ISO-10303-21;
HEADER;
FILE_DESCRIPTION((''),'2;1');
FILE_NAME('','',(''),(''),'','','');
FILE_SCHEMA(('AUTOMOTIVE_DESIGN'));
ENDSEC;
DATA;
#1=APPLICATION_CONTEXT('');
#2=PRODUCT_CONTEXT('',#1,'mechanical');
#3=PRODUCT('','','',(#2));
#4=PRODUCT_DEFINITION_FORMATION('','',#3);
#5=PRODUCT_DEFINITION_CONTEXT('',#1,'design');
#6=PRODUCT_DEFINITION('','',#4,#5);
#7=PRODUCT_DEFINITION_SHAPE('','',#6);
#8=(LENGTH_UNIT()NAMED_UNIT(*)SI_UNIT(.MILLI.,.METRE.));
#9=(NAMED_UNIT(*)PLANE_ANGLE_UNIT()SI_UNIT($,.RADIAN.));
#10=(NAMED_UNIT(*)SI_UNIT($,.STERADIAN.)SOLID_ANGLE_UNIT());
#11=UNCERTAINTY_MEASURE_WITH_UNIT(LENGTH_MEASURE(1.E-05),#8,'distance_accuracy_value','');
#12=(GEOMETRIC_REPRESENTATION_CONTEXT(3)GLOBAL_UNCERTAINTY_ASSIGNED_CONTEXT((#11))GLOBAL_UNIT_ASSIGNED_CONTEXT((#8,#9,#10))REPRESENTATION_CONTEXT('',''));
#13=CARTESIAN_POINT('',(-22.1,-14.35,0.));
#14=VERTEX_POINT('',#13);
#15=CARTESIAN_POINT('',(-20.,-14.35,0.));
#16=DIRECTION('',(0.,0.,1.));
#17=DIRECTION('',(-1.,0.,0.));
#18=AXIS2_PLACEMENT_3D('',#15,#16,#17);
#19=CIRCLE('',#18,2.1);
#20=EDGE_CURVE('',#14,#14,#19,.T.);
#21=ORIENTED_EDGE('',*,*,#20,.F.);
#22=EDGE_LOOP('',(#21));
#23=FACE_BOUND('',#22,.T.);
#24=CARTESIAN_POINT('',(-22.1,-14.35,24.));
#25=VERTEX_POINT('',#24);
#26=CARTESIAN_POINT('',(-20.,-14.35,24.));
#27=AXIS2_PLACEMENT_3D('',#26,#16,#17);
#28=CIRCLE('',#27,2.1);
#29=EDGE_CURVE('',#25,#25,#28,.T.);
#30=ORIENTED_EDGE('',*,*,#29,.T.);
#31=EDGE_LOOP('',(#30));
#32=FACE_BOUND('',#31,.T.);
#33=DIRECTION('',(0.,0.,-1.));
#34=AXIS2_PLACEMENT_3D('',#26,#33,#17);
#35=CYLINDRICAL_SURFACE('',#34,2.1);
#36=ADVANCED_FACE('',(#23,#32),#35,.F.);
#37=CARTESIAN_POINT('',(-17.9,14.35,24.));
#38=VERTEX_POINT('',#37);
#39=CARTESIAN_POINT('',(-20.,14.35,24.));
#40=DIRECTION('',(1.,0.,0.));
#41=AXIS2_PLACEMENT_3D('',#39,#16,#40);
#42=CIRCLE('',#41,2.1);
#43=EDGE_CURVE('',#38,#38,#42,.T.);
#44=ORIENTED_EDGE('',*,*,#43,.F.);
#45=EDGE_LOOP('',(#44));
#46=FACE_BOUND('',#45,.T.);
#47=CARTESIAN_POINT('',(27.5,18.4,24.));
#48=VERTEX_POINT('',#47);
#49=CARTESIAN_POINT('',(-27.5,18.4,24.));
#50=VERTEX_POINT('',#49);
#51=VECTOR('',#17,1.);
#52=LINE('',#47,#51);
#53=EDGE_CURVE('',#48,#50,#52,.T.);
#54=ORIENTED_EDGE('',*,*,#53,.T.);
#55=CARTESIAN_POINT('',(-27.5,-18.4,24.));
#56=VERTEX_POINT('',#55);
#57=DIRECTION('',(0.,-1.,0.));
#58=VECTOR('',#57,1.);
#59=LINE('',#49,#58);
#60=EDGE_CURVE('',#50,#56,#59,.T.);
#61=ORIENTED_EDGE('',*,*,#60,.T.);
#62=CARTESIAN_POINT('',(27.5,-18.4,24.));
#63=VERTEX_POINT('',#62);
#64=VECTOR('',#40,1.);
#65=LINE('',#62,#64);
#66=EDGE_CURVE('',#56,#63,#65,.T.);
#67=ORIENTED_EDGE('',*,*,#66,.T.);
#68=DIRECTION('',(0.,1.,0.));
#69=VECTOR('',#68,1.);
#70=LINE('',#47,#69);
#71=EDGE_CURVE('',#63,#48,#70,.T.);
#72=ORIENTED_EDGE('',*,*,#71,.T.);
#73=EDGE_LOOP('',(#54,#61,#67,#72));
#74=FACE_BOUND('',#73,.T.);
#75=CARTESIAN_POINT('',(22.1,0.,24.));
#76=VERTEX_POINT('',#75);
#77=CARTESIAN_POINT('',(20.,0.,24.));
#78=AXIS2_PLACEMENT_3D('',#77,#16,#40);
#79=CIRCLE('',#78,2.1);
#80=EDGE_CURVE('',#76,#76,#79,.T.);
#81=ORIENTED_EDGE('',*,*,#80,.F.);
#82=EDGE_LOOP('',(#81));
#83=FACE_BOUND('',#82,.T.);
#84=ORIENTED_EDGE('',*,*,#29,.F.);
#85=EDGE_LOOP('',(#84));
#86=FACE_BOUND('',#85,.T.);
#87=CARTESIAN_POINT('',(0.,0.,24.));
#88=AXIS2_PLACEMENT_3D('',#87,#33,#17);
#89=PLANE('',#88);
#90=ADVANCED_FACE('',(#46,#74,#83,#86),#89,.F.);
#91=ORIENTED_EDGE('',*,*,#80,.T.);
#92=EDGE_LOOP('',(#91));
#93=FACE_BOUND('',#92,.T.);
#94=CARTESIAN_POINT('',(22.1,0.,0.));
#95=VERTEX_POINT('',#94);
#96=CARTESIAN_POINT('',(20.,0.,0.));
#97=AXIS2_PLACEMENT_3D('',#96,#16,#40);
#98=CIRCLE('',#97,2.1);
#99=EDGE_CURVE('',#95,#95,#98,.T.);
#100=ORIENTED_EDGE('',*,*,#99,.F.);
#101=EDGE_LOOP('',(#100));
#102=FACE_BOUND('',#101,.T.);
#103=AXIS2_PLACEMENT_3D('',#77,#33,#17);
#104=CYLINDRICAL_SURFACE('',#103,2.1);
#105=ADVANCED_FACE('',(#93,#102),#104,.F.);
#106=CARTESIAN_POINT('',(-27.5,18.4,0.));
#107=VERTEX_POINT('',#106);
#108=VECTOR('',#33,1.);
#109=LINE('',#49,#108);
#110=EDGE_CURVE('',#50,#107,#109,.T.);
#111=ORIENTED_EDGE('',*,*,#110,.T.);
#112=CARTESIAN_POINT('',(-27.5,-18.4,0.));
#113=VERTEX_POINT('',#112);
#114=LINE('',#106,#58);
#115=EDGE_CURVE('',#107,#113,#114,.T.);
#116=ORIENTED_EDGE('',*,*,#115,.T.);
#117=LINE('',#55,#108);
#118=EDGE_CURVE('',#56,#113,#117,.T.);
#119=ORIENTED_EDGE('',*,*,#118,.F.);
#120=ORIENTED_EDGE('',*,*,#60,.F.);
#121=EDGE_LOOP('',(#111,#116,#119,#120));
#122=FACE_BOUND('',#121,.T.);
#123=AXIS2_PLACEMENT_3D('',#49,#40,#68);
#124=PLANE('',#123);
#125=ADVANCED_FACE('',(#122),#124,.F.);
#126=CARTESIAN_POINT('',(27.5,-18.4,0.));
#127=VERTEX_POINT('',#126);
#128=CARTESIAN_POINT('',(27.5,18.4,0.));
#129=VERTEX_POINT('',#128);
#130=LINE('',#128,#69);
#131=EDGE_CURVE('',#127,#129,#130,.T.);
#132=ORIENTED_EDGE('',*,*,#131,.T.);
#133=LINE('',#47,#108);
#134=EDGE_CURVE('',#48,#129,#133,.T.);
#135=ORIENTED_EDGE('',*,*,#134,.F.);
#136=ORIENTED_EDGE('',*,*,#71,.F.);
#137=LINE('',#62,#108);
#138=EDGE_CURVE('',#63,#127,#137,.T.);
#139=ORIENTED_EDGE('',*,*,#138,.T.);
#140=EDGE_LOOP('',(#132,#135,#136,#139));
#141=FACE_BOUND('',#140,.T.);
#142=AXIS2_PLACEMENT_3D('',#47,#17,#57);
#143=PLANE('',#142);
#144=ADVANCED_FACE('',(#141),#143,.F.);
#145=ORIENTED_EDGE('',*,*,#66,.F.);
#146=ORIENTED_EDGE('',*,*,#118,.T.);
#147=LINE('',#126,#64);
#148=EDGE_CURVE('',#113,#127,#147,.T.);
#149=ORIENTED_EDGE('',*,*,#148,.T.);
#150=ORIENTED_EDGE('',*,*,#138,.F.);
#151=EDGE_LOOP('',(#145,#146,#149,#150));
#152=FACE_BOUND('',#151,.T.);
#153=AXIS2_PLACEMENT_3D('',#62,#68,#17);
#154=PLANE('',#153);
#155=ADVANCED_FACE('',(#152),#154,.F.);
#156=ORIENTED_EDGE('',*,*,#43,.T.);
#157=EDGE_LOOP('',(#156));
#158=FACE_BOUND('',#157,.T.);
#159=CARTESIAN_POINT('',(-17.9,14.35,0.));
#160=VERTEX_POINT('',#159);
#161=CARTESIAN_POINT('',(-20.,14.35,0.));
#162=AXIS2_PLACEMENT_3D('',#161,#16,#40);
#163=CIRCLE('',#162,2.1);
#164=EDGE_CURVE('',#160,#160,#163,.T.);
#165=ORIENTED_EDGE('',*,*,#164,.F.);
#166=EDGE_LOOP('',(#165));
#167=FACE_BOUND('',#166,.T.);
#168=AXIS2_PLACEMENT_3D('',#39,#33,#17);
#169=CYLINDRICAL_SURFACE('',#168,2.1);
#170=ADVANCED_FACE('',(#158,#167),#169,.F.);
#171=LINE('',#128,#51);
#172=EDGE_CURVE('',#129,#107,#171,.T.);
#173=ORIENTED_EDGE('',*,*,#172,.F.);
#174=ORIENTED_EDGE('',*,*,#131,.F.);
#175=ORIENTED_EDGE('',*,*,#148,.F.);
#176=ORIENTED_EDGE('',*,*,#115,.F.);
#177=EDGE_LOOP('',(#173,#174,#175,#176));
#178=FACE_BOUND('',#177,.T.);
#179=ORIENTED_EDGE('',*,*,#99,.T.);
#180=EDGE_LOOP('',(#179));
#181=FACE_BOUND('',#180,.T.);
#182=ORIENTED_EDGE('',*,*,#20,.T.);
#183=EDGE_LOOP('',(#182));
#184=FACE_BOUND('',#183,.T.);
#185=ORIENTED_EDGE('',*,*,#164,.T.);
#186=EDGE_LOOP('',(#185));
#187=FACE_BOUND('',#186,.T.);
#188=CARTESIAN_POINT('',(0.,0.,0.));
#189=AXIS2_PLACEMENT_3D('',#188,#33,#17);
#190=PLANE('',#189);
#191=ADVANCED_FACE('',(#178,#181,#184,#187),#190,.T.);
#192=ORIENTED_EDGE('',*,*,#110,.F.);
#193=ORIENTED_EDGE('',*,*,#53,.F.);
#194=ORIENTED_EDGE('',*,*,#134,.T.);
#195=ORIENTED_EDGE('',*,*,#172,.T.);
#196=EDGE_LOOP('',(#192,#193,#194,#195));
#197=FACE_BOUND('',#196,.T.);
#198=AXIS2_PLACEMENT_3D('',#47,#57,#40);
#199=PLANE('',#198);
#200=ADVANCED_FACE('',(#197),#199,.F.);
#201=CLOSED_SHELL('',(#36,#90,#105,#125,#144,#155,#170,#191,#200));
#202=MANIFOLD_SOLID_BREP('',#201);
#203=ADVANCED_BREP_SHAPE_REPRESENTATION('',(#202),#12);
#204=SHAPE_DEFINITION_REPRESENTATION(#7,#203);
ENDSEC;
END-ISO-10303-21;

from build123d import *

# Parameters (mm, degrees)
SKETCH_1_W      = 55
SKETCH_1_H      = 36.8
SKETCH_1_R      = 2.1
EXTRUDE_1_DEPTH = 24


with BuildPart() as part:
    # 草图1 → 凸台-拉伸1 (new body)
    with BuildSketch(Plane.XY):
        Rectangle(SKETCH_1_W, SKETCH_1_H)
        with Locations((-20, 14.35)):
            Circle(SKETCH_1_R, mode=Mode.SUBTRACT)
        with Locations((20, 0)):
            Circle(SKETCH_1_R, mode=Mode.SUBTRACT)
        with Locations(Location((-20, -14.35, 0), (0, 0, 180))):
            Circle(SKETCH_1_R, mode=Mode.SUBTRACT)
    extrude(amount=EXTRUDE_1_DEPTH)


solid = part.part
